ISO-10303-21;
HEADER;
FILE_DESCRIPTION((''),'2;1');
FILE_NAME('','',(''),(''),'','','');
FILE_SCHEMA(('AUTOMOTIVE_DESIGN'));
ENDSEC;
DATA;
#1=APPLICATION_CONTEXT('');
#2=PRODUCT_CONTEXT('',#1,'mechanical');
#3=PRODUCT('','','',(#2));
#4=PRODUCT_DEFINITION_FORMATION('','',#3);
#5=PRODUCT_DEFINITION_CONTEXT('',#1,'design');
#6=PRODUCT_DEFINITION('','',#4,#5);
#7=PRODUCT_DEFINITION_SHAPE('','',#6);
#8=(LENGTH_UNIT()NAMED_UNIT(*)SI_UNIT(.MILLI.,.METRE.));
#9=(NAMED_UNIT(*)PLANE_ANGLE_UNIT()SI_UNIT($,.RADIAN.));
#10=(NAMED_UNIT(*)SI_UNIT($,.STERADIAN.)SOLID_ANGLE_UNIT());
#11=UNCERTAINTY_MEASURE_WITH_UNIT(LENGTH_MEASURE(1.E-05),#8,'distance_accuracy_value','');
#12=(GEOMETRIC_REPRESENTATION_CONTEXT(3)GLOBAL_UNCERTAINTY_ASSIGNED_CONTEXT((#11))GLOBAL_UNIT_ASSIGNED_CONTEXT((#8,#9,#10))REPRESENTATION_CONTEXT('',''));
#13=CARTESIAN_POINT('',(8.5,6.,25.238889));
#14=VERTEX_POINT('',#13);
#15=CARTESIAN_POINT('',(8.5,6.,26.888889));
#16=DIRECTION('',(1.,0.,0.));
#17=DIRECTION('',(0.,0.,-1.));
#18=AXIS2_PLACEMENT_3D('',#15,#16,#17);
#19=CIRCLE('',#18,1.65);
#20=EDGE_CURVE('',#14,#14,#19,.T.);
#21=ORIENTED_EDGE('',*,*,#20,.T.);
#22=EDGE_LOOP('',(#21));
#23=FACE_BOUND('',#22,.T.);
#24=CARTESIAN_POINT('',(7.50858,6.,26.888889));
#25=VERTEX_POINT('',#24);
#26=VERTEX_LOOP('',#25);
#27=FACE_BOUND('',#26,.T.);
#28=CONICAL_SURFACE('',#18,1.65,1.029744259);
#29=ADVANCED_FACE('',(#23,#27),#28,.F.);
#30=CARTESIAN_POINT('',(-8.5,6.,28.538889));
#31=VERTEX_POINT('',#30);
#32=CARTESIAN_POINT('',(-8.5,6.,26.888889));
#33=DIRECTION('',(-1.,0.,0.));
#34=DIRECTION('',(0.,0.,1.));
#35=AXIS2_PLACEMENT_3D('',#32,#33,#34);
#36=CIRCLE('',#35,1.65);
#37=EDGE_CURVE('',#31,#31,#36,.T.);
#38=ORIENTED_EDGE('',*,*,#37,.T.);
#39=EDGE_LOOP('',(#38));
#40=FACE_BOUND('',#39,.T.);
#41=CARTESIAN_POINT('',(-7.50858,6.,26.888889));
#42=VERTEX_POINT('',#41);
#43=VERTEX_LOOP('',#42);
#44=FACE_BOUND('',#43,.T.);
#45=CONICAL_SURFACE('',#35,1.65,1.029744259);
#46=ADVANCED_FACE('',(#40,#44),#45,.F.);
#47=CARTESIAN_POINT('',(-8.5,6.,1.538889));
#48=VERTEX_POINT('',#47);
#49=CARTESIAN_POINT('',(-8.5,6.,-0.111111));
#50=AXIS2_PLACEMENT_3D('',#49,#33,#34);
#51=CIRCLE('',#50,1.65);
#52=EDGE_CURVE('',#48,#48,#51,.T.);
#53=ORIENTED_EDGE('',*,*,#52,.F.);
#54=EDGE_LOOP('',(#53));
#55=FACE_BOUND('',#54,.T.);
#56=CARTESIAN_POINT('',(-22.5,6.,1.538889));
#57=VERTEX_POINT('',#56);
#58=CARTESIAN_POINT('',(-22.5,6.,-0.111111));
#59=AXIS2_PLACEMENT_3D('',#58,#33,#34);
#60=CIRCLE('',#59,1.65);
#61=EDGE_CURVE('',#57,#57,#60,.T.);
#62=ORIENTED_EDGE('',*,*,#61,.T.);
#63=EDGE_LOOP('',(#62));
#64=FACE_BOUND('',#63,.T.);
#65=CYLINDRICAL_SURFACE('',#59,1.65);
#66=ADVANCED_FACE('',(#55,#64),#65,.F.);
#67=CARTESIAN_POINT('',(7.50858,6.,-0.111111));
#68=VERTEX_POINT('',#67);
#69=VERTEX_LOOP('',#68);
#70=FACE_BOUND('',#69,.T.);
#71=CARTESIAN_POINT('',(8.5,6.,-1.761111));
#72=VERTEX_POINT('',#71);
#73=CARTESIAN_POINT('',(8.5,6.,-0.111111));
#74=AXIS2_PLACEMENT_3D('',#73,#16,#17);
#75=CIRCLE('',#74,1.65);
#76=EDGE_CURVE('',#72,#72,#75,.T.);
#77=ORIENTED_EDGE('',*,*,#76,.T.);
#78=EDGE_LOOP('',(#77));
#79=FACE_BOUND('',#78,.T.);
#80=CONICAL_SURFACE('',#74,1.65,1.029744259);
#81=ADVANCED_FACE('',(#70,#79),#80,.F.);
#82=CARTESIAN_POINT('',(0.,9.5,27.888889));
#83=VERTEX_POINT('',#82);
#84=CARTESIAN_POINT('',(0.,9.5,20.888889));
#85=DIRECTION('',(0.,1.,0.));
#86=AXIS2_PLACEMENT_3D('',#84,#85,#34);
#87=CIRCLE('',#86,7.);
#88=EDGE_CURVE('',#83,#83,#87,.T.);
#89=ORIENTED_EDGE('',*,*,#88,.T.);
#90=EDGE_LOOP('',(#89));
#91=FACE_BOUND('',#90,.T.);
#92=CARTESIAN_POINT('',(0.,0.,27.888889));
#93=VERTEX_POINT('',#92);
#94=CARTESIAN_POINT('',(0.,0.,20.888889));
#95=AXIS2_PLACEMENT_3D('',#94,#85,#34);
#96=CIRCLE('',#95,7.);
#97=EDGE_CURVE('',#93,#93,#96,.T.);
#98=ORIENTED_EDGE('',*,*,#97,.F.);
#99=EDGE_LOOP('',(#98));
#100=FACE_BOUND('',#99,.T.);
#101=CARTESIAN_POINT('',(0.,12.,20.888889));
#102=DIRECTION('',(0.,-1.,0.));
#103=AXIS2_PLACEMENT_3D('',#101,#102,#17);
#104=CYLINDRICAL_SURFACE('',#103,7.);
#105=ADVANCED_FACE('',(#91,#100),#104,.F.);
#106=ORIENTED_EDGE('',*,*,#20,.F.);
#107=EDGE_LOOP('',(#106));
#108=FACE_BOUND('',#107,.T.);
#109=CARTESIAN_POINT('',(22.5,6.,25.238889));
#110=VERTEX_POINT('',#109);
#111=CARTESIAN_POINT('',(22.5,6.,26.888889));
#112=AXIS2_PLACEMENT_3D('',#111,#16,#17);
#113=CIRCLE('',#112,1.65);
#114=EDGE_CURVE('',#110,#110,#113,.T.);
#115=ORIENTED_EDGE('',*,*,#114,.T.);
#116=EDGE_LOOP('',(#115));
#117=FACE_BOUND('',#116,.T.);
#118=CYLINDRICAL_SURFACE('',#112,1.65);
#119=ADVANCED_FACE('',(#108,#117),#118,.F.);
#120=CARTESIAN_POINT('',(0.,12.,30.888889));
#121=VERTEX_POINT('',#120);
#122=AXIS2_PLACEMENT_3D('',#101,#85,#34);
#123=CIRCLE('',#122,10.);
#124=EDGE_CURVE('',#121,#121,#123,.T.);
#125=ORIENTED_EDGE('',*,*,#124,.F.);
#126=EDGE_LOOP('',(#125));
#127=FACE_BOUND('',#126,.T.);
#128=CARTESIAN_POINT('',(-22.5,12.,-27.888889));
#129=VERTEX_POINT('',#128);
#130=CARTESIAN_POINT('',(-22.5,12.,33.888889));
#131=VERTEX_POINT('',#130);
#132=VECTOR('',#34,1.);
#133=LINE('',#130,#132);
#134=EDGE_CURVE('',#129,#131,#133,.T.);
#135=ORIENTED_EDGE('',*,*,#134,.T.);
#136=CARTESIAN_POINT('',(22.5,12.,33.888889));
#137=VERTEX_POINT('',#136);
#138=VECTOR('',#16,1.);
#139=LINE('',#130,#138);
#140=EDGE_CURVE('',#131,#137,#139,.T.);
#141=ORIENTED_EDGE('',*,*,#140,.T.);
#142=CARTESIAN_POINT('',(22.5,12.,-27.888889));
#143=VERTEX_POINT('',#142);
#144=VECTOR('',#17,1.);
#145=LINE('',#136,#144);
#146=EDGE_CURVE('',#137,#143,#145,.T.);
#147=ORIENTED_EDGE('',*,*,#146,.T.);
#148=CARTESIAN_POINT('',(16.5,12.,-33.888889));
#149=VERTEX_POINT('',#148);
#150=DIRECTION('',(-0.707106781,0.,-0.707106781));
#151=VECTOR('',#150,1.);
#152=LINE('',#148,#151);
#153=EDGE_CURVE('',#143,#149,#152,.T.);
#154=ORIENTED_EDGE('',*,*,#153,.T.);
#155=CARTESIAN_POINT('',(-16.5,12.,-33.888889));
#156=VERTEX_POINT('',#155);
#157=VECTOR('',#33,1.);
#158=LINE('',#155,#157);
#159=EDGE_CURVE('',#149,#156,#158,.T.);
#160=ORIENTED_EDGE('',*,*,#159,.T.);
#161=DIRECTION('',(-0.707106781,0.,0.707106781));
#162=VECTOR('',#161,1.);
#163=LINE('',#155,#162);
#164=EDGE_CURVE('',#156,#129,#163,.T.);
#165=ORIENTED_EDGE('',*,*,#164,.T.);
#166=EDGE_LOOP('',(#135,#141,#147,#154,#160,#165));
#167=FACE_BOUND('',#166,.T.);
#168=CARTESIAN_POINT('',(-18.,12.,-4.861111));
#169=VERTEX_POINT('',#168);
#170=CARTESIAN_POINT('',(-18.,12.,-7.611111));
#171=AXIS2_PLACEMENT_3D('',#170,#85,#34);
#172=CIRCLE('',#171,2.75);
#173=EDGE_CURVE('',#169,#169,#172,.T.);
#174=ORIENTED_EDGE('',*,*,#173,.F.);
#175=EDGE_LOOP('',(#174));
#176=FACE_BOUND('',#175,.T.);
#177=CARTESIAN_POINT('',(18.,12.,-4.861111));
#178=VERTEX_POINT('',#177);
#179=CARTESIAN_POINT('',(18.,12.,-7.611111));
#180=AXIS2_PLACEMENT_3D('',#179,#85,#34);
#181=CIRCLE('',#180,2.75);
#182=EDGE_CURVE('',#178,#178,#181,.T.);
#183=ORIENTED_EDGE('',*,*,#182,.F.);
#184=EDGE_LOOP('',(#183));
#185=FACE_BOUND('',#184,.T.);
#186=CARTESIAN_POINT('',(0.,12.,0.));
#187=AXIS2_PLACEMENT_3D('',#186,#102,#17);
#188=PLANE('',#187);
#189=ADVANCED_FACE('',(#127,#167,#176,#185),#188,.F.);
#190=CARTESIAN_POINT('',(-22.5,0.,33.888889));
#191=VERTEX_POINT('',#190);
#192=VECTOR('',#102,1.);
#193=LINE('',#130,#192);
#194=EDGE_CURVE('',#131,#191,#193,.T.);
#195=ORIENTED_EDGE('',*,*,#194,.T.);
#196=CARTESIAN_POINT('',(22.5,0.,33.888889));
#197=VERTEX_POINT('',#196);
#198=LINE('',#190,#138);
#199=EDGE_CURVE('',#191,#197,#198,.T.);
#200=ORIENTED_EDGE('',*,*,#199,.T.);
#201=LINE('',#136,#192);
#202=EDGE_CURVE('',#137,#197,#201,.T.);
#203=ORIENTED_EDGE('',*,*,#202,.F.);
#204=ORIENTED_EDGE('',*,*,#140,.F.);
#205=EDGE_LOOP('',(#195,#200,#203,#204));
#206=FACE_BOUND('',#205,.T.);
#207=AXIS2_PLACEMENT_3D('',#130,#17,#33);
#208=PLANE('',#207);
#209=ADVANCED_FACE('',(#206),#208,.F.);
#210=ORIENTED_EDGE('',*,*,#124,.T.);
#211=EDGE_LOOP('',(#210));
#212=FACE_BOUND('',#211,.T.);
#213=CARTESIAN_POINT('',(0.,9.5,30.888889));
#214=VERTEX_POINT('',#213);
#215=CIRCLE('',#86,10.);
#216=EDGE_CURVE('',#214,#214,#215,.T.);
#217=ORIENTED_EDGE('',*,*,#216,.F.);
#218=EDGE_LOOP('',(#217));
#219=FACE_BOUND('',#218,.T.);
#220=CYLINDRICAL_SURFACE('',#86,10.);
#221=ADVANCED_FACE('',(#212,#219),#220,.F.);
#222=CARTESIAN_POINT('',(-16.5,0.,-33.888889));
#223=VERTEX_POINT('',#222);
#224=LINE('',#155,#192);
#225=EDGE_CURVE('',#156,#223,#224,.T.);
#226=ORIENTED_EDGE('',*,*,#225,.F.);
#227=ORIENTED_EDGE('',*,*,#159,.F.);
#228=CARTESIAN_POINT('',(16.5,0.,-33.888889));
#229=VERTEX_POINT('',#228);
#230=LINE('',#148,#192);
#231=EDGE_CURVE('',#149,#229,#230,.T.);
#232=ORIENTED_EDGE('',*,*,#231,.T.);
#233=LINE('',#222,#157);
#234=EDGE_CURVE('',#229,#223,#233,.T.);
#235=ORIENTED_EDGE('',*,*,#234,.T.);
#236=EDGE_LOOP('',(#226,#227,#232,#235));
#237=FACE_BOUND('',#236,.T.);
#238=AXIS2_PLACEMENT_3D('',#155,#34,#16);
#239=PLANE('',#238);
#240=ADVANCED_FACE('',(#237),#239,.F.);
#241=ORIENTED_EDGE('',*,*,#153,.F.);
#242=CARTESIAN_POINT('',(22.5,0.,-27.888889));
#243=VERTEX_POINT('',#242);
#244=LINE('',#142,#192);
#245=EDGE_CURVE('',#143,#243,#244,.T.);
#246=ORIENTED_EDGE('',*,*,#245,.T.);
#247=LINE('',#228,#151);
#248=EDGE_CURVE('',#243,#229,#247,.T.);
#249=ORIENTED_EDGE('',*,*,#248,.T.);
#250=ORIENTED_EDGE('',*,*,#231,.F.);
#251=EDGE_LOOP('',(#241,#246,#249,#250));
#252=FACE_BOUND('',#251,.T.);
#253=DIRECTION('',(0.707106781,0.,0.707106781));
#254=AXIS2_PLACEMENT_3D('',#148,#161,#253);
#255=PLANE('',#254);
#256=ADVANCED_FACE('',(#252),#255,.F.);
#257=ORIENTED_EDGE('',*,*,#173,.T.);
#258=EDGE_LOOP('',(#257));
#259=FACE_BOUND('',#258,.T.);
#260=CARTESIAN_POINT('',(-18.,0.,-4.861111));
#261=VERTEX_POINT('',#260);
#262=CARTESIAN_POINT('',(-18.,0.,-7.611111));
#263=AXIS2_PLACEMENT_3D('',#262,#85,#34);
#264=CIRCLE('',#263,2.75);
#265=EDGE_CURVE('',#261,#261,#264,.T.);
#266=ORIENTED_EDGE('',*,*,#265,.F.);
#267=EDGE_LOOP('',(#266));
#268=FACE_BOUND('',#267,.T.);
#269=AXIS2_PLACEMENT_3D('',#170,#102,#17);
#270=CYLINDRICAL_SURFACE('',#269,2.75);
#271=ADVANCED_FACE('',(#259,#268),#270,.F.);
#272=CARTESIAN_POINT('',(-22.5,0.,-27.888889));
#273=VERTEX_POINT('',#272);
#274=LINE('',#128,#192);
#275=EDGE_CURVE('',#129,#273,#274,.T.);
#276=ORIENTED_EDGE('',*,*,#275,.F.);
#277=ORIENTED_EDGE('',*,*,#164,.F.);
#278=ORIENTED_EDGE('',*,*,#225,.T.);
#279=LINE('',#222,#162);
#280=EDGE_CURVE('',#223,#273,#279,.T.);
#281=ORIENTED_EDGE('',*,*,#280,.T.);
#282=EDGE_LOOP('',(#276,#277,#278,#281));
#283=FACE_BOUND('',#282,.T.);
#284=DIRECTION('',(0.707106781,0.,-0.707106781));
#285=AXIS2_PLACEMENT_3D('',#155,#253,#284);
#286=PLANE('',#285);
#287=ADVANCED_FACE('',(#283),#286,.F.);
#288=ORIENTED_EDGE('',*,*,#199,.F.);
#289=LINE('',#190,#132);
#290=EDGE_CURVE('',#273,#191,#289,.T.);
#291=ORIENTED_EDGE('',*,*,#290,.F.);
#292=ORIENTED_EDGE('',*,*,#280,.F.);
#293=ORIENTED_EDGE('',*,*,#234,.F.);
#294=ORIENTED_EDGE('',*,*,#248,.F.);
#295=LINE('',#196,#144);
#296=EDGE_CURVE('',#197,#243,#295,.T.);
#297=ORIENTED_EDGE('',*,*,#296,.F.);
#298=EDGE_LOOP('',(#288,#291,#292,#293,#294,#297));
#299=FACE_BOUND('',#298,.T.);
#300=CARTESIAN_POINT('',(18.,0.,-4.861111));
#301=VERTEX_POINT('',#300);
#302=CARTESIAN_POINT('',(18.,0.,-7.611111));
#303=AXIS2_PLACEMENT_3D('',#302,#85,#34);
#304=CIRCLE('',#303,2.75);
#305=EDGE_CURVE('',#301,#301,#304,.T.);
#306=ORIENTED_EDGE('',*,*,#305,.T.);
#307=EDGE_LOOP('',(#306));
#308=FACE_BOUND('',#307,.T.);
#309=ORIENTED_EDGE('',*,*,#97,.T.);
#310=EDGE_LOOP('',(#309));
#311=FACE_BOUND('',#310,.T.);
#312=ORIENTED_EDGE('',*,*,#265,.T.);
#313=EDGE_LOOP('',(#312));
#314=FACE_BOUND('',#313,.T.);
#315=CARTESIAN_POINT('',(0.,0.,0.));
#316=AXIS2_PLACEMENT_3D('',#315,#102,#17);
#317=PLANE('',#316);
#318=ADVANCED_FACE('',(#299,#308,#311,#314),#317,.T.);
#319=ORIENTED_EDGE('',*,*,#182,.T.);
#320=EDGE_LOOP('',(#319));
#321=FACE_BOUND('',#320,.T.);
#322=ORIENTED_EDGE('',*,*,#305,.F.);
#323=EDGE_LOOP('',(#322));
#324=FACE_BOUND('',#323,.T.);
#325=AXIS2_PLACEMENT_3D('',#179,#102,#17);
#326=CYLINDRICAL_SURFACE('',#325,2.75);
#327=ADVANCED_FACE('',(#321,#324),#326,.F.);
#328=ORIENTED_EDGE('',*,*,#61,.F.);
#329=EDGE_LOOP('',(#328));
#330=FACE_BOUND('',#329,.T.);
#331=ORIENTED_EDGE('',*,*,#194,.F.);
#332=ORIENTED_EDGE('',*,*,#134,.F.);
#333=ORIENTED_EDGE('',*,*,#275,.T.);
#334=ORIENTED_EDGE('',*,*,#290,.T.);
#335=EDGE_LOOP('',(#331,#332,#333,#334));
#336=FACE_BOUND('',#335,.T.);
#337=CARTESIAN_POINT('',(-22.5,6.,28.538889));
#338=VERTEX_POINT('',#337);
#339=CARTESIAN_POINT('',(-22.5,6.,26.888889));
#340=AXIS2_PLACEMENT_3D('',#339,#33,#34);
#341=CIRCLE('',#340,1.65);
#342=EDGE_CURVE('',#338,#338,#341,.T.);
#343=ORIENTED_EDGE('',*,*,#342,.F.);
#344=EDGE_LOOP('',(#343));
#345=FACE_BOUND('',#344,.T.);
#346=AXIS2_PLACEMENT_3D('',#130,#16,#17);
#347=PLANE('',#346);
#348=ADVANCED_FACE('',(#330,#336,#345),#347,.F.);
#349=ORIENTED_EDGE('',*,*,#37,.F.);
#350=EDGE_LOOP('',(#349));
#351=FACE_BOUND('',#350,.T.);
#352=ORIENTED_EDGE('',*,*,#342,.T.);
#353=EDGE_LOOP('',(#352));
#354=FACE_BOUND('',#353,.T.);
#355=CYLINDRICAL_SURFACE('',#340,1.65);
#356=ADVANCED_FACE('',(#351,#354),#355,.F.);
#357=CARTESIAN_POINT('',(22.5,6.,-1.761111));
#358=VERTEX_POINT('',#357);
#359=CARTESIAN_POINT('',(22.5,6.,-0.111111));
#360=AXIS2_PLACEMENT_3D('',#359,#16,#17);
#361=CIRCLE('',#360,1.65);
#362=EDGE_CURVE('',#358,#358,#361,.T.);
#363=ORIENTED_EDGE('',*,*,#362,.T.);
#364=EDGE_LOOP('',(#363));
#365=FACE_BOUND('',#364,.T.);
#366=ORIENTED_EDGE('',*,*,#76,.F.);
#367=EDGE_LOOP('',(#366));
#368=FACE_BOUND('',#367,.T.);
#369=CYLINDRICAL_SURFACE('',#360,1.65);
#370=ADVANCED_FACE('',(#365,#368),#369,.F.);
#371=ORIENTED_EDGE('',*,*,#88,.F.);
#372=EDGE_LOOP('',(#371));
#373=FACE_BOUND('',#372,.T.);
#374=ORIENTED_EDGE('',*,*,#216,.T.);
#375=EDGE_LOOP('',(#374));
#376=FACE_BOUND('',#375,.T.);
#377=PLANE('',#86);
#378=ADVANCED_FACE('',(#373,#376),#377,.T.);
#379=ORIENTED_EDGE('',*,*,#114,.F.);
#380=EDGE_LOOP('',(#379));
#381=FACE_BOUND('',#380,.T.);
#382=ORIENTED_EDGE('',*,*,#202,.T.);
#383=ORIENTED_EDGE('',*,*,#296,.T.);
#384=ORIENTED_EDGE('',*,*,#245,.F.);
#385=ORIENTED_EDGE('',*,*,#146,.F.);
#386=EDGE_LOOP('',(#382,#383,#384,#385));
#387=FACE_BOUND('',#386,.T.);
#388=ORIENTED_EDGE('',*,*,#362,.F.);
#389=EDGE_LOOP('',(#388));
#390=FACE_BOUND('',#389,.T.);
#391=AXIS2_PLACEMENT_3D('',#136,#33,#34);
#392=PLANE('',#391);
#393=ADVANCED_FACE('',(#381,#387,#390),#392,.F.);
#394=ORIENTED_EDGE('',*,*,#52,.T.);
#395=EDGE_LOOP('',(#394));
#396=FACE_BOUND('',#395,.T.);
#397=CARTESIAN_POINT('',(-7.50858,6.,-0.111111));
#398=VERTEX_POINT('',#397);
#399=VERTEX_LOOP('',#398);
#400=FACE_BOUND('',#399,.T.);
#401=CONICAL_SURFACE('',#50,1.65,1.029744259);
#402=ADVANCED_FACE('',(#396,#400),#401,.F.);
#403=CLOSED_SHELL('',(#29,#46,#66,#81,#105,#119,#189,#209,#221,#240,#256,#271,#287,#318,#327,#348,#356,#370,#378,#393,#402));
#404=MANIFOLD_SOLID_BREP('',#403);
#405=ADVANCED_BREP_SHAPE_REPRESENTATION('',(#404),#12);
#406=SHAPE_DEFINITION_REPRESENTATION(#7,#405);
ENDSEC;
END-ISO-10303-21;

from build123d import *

# Parameters (mm, degrees)
SKETCH1_R             = 2.75
SKETCH1_R_2           = 7
BOSS_EXTRUDE1_DEPTH   = 12
M4_TAPPED_HOLE1_D     = 3.3
M4_TAPPED_HOLE1_DEPTH = 14
M4_TAPPED_HOLE1_TIP   = 0.991420021
M4_TAPPED_HOLE2_D     = 3.3
M4_TAPPED_HOLE2_DEPTH = 14
M4_TAPPED_HOLE2_TIP   = 0.991420021
SKETCH6_R             = 10
CUT_EXTRUDE1_DEPTH    = 2.5


with BuildPart() as part:
    # Sketch1 → Boss-Extrude1 (new body)
    with BuildSketch(Plane(origin=(0, 0, 0), x_dir=(1, 0, 0), z_dir=(0, 1, 0))):
        Polygon((-16.5, 33.888888889), (-22.5, 27.888888889), (-22.5, -33.888888889), (22.5, -33.888888889), (22.5, 27.888888889), (16.5, 33.888888889), align=None)
        with Locations((-18, 7.611111111)):
            Circle(SKETCH1_R, mode=Mode.SUBTRACT)
        with Locations((18, 7.611111111)):
            Circle(SKETCH1_R, mode=Mode.SUBTRACT)
        with Locations((0, -20.888888889)):
            Circle(SKETCH1_R_2, mode=Mode.SUBTRACT)
    extrude(amount=BOSS_EXTRUDE1_DEPTH)

    # M4 Tapped Hole1
    with Locations(Plane.ZY.offset(22.5)):
        with Locations((-0.111111111, 6), (26.888888889, 6)):
            Hole(M4_TAPPED_HOLE1_D / 2, depth=M4_TAPPED_HOLE1_DEPTH)
            with Locations((0, 0, -(M4_TAPPED_HOLE1_DEPTH + M4_TAPPED_HOLE1_TIP / 2))):  # 118° drill point
                Cone(0, M4_TAPPED_HOLE1_D / 2, M4_TAPPED_HOLE1_TIP, mode=Mode.SUBTRACT)

    # M4 Tapped Hole2
    with Locations(Plane(origin=(22.5, 0, 0), x_dir=(0, 0, -1), z_dir=(1, 0, 0))):
        with Locations((-26.888888889, 6), (0.111111111, 6)):
            Hole(M4_TAPPED_HOLE2_D / 2, depth=M4_TAPPED_HOLE2_DEPTH)
            with Locations((0, 0, -(M4_TAPPED_HOLE2_DEPTH + M4_TAPPED_HOLE2_TIP / 2))):  # 118° drill point
                Cone(0, M4_TAPPED_HOLE2_D / 2, M4_TAPPED_HOLE2_TIP, mode=Mode.SUBTRACT)

    # Sketch6 → Cut-Extrude1 (cut)
    with BuildSketch(Plane(origin=(0, 12, 0), x_dir=(1, 0, 0), z_dir=(0, 1, 0))):
        with Locations((0, -20.888888889)):
            Circle(SKETCH6_R)
    extrude(amount=-CUT_EXTRUDE1_DEPTH, mode=Mode.SUBTRACT)


solid = part.part
